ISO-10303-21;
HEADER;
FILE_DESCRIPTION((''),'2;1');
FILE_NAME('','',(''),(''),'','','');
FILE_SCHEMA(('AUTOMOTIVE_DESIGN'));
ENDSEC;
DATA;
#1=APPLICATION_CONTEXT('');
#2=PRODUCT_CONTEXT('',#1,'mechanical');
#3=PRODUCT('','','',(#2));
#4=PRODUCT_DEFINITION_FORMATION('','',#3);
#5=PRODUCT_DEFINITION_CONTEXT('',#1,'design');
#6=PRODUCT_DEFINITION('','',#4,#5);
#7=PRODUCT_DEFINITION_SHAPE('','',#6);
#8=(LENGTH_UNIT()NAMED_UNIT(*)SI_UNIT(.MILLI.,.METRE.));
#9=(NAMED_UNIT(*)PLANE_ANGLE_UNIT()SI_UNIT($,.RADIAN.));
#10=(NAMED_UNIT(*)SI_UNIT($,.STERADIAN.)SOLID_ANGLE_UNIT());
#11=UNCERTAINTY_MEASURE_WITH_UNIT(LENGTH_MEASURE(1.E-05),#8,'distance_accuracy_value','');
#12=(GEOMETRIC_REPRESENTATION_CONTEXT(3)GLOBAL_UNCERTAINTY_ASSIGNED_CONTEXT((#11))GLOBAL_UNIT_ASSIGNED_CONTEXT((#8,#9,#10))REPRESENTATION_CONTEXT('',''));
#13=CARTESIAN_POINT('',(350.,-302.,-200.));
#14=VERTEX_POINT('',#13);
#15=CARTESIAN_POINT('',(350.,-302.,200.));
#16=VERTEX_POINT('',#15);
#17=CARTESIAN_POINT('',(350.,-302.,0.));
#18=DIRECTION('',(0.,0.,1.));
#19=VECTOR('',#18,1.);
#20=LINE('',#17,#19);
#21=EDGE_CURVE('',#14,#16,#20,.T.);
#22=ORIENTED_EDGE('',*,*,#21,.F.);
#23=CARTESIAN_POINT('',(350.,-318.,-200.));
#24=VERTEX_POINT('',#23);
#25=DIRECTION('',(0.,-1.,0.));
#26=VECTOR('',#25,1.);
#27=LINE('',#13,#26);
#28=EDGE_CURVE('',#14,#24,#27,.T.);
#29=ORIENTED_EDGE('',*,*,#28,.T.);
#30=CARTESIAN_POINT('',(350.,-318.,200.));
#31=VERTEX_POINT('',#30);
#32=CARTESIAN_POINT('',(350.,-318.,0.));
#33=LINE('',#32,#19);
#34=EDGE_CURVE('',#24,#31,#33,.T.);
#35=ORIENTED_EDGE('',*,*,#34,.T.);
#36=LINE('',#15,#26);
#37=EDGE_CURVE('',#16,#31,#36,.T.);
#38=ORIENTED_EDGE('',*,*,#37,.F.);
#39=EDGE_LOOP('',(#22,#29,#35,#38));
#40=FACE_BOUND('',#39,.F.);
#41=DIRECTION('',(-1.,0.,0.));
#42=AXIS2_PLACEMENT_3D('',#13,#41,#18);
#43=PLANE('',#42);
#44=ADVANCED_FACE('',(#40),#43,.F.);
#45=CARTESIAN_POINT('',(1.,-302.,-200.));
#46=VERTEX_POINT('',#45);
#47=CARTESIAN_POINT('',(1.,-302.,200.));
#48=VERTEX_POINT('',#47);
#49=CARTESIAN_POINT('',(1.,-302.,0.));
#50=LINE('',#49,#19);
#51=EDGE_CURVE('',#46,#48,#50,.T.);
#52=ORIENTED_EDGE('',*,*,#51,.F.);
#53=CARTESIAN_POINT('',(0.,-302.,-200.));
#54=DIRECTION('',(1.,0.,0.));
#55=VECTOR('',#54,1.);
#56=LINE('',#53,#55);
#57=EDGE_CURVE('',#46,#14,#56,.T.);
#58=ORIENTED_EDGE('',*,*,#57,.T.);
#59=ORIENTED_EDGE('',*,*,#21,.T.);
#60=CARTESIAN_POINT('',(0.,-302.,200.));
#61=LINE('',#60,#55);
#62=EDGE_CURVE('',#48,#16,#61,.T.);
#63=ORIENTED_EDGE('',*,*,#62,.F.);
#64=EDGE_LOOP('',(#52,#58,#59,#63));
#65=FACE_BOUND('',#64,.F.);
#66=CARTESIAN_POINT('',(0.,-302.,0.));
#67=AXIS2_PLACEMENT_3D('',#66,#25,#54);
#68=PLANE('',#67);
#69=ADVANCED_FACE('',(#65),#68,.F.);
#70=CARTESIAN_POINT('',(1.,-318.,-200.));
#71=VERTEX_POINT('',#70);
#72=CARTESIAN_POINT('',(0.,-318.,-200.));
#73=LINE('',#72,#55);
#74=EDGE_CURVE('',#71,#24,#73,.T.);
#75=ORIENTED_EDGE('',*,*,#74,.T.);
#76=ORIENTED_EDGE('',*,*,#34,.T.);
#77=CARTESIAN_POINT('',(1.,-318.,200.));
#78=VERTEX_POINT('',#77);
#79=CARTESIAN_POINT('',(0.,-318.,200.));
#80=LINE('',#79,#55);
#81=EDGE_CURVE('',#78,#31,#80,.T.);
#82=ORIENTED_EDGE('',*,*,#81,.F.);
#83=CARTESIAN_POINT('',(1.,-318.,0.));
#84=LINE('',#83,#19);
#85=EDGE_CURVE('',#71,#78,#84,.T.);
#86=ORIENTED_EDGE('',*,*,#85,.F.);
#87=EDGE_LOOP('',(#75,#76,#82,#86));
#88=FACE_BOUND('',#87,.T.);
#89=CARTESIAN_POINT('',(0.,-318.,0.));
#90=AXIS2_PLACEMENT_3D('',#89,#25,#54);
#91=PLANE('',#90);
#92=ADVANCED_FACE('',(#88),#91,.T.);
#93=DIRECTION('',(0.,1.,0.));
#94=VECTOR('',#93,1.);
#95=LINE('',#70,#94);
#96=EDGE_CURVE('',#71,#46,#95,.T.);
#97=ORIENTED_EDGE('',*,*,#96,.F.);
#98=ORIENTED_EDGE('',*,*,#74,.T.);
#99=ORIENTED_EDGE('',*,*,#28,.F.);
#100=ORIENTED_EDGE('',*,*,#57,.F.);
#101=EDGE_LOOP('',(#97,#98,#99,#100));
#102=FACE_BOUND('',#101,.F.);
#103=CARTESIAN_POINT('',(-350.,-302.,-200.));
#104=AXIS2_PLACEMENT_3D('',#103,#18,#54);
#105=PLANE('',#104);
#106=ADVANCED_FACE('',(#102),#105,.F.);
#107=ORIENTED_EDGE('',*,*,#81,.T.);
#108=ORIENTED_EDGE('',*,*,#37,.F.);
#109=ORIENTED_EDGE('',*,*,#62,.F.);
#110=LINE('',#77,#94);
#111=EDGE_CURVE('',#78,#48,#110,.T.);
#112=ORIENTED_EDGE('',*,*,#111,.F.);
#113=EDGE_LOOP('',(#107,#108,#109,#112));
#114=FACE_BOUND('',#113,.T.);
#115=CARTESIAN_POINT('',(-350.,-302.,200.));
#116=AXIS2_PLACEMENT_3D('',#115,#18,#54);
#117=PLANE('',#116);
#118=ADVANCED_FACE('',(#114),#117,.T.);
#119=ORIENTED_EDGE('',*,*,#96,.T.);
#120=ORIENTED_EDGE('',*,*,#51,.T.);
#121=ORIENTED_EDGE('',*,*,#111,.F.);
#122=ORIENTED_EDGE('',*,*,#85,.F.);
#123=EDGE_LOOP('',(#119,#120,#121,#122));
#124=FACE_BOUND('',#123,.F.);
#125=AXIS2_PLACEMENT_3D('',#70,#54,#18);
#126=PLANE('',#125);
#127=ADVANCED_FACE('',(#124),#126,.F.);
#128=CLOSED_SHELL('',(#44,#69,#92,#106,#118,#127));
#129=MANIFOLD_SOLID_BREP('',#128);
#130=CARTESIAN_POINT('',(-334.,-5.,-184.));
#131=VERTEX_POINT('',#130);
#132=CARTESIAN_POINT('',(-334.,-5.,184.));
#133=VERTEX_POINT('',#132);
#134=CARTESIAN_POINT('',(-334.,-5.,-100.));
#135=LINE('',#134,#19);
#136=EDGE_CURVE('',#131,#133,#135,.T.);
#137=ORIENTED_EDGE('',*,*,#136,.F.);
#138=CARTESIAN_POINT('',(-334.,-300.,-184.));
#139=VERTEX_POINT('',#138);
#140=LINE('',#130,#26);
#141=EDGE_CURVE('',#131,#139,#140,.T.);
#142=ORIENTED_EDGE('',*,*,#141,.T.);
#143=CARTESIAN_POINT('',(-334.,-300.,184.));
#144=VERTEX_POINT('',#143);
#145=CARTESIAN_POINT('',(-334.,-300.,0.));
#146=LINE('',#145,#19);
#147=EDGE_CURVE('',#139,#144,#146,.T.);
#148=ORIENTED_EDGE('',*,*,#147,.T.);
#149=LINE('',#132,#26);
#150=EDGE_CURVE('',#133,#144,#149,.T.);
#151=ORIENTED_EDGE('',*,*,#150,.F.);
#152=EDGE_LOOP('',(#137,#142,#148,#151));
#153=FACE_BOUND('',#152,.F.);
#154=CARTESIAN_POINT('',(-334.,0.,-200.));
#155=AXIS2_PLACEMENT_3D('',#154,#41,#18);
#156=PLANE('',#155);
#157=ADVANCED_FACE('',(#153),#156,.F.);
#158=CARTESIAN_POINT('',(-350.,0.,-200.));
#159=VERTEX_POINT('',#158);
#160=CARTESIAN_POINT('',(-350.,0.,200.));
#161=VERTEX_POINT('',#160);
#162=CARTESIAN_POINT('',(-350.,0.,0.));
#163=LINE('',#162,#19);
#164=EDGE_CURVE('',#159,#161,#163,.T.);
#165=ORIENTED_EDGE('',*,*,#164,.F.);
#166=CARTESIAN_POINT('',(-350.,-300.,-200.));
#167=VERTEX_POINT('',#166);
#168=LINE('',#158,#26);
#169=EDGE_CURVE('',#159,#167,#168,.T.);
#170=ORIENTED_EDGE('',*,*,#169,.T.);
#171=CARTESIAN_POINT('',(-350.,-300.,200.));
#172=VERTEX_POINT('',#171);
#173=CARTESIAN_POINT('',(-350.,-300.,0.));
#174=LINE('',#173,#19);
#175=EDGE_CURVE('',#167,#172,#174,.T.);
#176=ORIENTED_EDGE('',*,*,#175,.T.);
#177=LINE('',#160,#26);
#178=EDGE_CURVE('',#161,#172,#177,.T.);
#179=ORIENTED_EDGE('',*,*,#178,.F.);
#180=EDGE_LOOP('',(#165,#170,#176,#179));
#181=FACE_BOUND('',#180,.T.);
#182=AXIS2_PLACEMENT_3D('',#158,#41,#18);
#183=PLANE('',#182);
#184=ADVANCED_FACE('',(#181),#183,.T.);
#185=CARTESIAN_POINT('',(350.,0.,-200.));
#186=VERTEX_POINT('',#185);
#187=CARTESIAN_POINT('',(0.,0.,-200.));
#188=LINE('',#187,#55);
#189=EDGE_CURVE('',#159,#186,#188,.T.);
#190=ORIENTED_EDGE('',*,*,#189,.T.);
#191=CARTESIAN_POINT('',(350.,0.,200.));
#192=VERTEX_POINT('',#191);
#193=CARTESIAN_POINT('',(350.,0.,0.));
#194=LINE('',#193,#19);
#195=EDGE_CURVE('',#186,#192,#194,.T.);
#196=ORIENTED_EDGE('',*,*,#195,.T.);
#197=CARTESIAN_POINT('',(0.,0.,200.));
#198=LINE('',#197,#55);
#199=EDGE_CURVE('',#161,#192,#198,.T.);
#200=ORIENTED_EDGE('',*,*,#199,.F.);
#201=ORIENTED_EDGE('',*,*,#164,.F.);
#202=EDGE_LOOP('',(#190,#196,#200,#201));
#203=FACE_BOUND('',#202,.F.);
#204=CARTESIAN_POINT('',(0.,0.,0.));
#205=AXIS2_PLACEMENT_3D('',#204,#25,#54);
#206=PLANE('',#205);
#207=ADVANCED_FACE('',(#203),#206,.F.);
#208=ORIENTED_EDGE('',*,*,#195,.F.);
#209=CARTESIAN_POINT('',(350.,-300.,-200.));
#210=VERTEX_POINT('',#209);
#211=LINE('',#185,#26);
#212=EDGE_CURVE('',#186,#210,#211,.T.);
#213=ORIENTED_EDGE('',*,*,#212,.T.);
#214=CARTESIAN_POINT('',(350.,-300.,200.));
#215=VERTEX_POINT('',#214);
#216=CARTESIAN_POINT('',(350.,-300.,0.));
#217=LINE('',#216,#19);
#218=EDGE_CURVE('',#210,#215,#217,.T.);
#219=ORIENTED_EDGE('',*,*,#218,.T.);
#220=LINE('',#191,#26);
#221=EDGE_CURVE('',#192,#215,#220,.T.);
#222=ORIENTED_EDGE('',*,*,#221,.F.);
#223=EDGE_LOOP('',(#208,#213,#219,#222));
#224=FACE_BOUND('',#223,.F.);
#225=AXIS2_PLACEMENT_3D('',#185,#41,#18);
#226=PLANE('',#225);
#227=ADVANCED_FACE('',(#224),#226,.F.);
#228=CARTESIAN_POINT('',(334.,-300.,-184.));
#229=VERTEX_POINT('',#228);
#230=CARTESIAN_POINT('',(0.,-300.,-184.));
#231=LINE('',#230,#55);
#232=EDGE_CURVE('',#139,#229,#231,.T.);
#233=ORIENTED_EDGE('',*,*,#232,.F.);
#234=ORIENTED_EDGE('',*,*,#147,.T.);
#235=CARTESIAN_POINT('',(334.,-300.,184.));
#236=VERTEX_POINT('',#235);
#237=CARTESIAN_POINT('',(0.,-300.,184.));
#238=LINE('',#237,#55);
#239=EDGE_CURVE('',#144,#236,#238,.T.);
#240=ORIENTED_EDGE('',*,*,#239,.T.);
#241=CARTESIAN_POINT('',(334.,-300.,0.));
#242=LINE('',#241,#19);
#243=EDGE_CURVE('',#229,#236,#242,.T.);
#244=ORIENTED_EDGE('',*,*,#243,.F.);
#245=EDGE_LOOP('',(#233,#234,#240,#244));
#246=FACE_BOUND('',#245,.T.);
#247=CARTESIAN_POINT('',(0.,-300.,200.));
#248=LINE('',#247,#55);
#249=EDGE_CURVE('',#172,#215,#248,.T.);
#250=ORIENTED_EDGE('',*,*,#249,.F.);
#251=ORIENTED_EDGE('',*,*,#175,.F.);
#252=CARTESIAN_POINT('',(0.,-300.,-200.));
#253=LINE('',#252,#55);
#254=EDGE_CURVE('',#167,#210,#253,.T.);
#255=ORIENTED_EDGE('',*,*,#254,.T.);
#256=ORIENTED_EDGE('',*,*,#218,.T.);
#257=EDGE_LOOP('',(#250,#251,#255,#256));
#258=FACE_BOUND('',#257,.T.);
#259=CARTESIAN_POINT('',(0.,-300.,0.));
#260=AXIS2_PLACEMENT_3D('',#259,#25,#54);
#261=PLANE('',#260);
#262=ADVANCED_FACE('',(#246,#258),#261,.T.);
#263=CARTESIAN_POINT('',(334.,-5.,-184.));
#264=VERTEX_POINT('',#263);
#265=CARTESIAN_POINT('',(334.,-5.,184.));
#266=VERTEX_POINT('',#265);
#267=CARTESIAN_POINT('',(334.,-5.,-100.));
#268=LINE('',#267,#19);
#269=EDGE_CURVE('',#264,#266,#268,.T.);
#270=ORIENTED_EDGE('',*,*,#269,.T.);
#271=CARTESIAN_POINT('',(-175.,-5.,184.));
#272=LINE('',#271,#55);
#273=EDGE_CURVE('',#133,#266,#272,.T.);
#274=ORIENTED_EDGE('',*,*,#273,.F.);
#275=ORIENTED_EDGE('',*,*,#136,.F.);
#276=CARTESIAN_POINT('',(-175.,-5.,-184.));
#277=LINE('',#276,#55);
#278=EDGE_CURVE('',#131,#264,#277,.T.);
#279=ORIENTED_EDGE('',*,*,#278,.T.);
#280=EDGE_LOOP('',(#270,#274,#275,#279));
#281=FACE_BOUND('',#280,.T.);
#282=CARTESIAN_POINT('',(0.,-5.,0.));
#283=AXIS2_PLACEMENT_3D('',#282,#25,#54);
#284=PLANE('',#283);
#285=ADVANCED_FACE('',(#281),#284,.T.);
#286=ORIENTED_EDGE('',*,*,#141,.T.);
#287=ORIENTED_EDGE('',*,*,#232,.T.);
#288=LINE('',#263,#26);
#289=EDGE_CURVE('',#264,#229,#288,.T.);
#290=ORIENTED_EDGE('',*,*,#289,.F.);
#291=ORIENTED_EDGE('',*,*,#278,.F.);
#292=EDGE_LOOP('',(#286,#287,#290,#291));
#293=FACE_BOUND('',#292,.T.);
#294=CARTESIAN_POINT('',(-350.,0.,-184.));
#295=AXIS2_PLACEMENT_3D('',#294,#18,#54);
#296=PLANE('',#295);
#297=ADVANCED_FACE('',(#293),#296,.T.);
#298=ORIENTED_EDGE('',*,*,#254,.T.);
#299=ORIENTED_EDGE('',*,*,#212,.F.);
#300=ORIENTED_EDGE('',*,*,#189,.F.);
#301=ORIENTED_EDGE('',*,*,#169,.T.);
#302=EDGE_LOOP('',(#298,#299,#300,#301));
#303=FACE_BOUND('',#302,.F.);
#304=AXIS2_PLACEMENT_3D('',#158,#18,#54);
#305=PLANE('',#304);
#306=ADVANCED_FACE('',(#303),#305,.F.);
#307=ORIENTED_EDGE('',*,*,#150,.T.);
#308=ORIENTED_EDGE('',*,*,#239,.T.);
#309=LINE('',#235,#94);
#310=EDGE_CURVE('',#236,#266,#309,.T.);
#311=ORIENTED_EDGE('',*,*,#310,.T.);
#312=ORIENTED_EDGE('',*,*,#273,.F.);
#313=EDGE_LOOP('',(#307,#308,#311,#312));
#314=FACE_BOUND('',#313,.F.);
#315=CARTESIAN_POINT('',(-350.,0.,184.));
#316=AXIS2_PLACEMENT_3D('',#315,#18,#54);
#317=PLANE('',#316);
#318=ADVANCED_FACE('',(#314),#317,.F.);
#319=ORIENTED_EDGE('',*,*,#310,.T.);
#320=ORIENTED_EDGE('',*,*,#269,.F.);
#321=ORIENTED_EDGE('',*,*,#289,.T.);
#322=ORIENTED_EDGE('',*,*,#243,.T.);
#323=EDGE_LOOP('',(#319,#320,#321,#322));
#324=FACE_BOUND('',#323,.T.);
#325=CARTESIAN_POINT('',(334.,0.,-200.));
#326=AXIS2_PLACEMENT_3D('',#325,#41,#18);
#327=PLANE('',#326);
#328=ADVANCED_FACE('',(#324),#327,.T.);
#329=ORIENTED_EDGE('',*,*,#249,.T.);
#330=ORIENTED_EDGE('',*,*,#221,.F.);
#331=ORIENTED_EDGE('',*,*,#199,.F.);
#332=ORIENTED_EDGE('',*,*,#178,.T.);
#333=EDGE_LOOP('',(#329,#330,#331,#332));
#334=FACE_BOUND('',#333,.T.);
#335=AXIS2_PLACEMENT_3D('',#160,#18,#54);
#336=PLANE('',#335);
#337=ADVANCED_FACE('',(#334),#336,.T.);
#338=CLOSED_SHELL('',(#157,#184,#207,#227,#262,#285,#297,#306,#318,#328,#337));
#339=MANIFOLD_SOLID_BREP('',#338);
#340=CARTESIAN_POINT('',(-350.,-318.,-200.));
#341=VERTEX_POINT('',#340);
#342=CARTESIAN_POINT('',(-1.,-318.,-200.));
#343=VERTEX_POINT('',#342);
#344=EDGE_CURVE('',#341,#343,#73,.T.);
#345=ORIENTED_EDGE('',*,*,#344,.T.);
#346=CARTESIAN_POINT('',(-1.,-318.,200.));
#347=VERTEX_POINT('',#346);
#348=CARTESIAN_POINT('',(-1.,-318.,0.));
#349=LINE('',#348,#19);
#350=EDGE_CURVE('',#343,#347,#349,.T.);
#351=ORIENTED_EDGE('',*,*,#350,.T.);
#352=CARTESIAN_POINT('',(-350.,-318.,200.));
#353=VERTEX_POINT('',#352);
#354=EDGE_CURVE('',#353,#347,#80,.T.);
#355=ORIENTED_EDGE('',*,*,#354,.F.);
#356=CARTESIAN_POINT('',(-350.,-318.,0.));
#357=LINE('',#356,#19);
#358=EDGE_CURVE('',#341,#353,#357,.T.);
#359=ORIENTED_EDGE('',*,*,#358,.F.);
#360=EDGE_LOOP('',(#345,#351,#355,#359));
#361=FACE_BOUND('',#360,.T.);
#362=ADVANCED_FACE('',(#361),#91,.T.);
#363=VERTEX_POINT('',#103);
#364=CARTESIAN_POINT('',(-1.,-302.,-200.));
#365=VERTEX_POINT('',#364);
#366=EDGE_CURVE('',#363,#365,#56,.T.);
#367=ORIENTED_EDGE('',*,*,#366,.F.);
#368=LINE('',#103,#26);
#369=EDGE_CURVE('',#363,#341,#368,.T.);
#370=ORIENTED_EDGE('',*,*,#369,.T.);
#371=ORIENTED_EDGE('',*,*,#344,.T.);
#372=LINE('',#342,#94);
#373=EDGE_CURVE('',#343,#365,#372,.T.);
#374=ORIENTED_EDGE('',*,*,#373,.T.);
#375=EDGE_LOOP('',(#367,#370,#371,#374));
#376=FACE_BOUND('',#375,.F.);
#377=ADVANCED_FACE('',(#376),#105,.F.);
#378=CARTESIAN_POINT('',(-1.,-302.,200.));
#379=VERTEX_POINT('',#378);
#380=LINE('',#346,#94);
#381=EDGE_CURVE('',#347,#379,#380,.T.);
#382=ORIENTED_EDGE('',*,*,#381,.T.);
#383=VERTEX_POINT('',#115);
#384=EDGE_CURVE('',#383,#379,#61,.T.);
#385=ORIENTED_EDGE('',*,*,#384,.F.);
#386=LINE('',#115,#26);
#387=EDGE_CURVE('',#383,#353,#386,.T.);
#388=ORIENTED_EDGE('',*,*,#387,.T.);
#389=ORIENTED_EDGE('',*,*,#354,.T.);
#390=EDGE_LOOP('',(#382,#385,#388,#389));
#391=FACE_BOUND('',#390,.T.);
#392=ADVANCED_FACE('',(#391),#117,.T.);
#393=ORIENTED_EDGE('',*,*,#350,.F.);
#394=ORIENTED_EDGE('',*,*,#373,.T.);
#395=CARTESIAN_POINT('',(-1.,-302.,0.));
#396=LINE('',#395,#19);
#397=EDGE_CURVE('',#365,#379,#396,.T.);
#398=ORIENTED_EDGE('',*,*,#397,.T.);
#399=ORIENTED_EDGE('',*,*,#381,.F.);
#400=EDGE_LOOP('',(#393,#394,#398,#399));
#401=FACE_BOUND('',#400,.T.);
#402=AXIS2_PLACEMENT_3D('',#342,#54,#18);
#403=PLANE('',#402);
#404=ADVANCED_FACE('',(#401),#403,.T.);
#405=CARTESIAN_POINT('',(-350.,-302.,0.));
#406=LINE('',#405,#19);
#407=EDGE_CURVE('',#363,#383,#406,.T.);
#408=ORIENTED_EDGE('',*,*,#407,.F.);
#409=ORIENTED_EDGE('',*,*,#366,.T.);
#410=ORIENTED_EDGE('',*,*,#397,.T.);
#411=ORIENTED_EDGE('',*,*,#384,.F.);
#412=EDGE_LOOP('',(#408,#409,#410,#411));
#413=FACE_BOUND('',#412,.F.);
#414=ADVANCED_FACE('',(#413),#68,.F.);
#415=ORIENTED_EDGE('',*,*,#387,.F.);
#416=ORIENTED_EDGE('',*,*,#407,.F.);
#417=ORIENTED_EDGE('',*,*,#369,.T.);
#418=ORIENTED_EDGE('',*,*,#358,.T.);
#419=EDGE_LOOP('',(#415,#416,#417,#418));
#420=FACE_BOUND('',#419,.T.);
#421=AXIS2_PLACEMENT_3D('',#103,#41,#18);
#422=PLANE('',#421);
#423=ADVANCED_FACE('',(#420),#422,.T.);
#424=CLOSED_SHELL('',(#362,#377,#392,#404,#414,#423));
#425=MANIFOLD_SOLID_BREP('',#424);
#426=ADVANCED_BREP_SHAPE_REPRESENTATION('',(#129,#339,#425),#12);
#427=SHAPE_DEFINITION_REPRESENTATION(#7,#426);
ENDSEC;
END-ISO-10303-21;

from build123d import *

# Parameters (mm, degrees)
F0_W     = 700
F0_H     = 400
F1_DEPTH = 300
F2_T     = -16
F3_DEPTH = 11
F5_W     = 700
F5_H     = 400
F6_DEPTH = 16
F7_W     = 2
F7_H     = 400
F8_DEPTH = 16


with BuildPart() as f1:
    # F0 (on Front) → F1 (new body)
    with BuildSketch(Plane.XZ):
        Rectangle(F0_W, F0_H)
    extrude(amount=F1_DEPTH)

    # F2
    f2_openings = [f1.faces().sort_by_distance(p)[0] for p in [
        (0, -300, 0),
    ]]
    offset(amount=F2_T, openings=f2_openings)

    # F3 (cut): a face of the model
    f3_faces = [f1.faces().sort_by_distance(p)[0] for p in [
        (0, -16, 0),
    ]]
    extrude(f3_faces, amount=-F3_DEPTH, mode=Mode.SUBTRACT)


with BuildPart() as f6:
    # F5 (on offset) → F6 (new body)
    with BuildSketch(Plane.XZ.offset(302)):
        Rectangle(F5_W, F5_H)
    extrude(amount=F6_DEPTH)

    # F7 (on face) → F8 (cut, through all)
    with BuildSketch(Plane.XZ.offset(318)):
        Rectangle(F7_W, F7_H)
    extrude(amount=-F8_DEPTH, mode=Mode.SUBTRACT)


solid = Compound([f1.part, f6.part])
